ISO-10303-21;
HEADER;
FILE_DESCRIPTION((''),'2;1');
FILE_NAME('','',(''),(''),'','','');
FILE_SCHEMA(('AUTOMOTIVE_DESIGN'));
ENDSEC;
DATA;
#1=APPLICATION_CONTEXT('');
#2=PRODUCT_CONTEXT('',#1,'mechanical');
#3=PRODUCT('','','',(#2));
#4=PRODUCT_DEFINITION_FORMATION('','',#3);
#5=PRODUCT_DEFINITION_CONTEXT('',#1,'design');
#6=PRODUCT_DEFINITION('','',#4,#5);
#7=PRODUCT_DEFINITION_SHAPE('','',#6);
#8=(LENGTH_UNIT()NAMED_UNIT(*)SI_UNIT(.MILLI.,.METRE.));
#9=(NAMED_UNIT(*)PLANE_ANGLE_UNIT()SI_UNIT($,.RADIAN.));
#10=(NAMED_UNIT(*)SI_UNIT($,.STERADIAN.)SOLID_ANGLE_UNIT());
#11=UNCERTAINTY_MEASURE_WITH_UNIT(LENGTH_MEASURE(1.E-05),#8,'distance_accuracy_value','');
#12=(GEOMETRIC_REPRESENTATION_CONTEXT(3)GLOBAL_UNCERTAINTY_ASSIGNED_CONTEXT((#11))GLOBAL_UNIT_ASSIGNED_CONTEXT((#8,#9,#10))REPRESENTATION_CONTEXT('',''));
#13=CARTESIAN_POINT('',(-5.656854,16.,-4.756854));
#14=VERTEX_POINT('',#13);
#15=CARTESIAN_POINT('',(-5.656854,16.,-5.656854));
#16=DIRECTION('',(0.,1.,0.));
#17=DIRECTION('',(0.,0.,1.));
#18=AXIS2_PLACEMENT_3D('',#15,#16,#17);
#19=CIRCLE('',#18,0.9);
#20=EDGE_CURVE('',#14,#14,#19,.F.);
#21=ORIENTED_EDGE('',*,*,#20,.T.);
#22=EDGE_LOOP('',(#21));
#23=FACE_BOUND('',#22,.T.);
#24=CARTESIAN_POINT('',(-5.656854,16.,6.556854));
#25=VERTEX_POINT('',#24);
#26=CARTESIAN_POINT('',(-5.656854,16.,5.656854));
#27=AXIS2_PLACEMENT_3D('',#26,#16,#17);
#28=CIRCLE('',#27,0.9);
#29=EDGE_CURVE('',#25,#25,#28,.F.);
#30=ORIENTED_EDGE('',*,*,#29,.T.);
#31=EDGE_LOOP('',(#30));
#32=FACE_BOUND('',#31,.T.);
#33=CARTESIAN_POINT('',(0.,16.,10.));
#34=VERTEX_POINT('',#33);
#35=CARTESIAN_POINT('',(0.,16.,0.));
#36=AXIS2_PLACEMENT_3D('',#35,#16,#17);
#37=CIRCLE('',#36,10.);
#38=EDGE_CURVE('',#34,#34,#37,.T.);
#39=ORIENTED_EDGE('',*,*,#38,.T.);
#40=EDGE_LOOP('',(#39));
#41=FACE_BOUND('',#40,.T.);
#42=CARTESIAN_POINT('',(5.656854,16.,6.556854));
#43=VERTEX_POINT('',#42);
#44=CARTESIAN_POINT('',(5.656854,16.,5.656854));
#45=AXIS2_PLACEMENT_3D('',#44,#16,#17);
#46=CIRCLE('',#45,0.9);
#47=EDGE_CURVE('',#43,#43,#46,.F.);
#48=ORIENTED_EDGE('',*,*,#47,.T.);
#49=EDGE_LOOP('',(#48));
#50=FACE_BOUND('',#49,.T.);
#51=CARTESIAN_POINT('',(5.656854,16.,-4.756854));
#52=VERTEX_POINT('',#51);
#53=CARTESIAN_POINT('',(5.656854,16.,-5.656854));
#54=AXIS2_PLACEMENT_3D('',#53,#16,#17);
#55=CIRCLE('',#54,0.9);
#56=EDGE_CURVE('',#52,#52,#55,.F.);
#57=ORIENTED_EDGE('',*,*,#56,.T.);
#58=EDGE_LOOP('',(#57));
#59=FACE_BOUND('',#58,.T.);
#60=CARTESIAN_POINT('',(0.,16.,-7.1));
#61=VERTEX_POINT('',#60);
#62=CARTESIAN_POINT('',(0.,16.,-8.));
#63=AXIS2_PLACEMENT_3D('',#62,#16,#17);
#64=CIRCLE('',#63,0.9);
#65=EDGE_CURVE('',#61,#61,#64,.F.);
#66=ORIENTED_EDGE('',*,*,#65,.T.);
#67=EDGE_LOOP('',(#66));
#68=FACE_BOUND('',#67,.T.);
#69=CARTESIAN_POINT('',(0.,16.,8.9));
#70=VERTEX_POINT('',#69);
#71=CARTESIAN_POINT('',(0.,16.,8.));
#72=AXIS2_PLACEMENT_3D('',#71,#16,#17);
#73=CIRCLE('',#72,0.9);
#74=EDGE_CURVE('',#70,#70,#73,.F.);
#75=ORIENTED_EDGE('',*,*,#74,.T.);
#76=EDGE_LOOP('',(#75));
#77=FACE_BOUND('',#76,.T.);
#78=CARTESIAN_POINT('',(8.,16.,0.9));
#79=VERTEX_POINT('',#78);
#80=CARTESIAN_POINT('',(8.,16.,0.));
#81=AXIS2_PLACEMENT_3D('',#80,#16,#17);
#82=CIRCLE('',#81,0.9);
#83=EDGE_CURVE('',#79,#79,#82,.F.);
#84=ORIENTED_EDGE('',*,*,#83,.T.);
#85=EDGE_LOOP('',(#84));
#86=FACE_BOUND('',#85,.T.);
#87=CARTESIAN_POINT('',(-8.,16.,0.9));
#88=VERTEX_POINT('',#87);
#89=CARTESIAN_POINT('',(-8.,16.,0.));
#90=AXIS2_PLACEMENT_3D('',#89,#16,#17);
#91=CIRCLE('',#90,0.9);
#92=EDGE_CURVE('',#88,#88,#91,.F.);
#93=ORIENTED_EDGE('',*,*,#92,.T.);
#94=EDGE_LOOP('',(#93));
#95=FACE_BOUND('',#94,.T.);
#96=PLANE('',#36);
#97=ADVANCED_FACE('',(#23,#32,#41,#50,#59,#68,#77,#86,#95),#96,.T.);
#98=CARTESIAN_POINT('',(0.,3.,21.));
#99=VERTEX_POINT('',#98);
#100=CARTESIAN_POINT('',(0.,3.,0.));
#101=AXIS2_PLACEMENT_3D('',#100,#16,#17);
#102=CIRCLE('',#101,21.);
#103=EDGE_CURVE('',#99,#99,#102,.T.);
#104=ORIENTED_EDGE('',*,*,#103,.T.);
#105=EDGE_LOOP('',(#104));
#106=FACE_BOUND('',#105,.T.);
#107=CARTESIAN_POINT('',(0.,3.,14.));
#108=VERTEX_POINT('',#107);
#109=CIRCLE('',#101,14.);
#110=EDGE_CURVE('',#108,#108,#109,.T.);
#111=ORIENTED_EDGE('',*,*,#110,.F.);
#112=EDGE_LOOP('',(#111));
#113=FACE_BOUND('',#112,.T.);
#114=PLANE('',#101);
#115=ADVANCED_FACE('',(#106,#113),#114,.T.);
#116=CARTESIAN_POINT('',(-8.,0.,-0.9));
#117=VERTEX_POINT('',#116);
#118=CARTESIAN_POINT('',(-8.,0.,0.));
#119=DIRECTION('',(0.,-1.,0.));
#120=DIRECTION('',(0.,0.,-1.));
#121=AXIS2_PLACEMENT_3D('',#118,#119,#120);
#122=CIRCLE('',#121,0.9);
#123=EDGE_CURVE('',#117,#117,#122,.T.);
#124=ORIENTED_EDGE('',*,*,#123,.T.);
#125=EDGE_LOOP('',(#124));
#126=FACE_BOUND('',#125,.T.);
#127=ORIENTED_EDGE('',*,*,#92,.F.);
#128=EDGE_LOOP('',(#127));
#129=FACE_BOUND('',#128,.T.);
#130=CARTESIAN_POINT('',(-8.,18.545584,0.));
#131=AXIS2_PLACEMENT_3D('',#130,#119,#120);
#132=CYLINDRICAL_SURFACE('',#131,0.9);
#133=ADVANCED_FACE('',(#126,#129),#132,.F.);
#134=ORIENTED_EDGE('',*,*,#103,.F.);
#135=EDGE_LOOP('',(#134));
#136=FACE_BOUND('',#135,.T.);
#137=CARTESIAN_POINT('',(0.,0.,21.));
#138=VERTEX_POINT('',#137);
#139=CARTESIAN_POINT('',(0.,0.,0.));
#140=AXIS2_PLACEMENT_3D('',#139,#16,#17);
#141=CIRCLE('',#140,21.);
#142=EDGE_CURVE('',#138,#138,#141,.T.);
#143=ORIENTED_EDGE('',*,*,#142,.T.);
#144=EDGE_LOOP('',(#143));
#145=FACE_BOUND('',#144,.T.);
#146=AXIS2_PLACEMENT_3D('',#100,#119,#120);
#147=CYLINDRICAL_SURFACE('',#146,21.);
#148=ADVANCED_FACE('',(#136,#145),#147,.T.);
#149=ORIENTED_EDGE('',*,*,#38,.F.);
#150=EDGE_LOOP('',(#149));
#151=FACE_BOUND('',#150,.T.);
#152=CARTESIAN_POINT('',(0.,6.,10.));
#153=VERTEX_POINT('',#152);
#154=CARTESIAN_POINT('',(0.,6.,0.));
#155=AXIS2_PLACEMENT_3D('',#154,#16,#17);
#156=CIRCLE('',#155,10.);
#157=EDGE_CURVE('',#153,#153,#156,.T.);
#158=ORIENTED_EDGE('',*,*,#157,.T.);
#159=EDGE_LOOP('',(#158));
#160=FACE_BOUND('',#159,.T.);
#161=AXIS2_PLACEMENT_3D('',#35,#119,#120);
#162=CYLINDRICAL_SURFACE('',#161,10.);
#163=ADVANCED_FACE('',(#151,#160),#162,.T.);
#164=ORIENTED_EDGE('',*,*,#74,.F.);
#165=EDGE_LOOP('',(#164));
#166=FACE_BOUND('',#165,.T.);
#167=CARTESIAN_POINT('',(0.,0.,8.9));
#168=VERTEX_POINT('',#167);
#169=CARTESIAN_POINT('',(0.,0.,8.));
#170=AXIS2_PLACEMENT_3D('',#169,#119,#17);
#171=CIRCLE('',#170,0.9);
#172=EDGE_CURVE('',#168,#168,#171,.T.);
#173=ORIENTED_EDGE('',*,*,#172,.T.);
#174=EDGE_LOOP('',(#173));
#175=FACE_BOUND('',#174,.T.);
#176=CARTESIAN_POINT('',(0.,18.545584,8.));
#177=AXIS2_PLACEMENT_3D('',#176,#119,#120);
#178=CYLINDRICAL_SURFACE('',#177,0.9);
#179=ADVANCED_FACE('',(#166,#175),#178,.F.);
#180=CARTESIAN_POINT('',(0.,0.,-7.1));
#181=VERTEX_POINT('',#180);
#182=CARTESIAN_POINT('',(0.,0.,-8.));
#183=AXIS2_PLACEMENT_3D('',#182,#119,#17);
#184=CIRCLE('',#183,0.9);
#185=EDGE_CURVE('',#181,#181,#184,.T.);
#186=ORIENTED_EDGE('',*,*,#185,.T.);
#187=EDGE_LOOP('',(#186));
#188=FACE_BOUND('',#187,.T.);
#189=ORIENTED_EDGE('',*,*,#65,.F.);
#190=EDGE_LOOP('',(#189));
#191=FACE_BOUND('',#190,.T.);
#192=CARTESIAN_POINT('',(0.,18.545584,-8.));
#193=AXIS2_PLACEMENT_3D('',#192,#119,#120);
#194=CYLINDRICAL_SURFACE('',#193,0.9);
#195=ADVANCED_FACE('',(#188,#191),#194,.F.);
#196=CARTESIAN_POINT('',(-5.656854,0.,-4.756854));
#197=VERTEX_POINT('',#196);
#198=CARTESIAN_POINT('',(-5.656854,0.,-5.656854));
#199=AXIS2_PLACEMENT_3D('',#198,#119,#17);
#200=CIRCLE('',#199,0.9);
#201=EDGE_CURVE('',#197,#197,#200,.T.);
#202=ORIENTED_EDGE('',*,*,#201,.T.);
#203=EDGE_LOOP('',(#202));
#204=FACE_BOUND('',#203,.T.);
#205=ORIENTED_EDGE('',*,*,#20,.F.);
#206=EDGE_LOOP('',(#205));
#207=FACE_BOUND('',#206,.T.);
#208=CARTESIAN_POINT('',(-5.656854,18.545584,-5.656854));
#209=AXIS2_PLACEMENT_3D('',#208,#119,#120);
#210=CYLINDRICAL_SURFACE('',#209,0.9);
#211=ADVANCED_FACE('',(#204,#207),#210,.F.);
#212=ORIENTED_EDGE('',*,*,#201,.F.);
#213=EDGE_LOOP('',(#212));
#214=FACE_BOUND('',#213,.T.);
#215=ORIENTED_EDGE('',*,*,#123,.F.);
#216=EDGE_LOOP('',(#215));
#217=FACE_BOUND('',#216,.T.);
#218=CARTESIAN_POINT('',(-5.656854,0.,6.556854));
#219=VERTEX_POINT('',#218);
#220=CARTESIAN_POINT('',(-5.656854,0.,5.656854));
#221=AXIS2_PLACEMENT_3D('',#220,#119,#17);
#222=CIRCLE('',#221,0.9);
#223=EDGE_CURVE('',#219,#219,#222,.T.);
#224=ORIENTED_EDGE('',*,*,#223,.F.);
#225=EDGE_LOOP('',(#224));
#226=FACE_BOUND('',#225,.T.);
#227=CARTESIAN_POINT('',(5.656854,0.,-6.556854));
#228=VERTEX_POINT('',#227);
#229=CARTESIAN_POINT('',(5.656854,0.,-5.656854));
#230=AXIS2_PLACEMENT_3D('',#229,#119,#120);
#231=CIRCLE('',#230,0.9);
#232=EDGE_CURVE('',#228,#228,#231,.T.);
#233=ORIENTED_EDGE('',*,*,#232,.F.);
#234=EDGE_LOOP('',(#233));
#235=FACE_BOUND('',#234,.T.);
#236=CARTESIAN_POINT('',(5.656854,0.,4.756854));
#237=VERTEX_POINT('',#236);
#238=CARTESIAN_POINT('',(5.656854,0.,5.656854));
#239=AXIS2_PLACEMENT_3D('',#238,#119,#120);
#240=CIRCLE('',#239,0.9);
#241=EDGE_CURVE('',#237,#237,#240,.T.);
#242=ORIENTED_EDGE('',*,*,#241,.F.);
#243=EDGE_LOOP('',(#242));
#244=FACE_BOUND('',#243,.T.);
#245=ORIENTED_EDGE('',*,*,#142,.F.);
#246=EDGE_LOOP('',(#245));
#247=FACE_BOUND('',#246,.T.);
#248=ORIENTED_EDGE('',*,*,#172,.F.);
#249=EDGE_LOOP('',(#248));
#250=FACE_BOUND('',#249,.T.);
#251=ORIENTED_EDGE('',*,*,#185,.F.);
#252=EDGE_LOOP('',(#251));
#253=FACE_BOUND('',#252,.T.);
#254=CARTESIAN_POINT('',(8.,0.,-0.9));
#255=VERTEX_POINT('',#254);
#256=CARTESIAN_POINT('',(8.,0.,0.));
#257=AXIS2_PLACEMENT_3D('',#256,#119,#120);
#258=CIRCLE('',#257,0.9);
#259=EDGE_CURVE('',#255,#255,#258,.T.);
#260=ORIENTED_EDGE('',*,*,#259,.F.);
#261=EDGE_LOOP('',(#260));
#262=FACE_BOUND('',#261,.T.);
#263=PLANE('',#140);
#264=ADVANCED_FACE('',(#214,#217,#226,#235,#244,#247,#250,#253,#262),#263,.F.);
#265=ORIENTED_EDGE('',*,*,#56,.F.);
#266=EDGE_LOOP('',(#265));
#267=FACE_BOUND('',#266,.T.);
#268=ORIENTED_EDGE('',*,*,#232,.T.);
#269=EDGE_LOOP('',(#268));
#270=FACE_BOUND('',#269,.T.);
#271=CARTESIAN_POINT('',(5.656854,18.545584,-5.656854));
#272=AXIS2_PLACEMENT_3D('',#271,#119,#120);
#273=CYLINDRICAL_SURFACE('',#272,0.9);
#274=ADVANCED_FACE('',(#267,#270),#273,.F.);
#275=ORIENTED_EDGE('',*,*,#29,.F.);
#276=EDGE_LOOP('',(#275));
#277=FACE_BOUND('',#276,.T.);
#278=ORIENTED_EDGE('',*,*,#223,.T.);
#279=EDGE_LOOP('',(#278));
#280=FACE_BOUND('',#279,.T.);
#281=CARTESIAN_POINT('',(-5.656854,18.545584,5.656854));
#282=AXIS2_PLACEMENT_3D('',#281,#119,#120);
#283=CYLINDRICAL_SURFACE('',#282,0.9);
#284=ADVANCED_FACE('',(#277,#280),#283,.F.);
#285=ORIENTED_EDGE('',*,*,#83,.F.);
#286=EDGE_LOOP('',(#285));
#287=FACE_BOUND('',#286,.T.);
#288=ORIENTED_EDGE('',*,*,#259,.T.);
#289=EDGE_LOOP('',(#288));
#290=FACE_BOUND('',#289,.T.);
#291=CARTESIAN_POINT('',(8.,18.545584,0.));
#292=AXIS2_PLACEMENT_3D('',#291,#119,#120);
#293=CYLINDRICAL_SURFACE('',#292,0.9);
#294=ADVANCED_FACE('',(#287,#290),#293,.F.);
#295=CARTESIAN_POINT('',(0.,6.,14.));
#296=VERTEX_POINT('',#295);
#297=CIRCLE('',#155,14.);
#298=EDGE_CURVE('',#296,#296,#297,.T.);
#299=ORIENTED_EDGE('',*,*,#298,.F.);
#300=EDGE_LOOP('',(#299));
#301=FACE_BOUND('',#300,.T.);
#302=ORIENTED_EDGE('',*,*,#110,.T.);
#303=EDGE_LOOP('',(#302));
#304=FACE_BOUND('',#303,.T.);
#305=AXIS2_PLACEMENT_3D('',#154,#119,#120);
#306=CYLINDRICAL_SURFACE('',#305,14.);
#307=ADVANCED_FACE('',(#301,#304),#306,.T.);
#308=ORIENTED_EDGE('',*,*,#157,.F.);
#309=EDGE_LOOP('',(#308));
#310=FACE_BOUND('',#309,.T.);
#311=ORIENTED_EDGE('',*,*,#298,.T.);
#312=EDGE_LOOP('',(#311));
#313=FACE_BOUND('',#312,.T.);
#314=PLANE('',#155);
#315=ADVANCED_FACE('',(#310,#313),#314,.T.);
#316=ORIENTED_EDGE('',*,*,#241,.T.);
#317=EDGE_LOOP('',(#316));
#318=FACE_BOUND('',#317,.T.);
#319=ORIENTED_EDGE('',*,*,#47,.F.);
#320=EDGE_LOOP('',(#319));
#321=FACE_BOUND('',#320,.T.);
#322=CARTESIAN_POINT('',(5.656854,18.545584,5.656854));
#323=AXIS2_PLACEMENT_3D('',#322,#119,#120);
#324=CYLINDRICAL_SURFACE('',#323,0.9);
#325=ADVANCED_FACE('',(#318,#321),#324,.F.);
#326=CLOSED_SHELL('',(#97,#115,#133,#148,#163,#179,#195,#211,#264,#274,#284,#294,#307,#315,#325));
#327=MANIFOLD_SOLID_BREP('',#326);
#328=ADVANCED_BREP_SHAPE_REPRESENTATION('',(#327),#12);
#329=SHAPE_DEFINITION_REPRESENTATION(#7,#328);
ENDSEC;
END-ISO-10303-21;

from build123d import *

# Parameters (mm, degrees)
SKETCH_1_R          = 21
EXTRUDE_1_DEPTH     = 3
SKETCH_2_R          = 10
EXTRUDE_2_DEPTH     = 13
SKETCH_3_R          = 14
EXTRUDE_3_DEPTH     = 3
SKETCH_4_R          = 0.9
CUT_EXTRUDE_1_DEPTH = 16


with BuildPart() as part:
    # 스케치1 → 보스-돌출1 (new body)
    with BuildSketch(Plane(origin=(0, 0, 0), x_dir=(1, 0, 0), z_dir=(0, 1, 0))):
        Circle(SKETCH_1_R)
    extrude(amount=EXTRUDE_1_DEPTH)

    # 스케치2 → 보스-돌출2 (add)
    with BuildSketch(Plane(origin=(0, 3, 0), x_dir=(1, 0, 0), z_dir=(0, 1, 0))):
        Circle(SKETCH_2_R)
    extrude(amount=EXTRUDE_2_DEPTH)

    # 스케치3 → 보스-돌출3 (add)
    with BuildSketch(Plane(origin=(0, 3, 0), x_dir=(1, 0, 0), z_dir=(0, 1, 0))):
        Circle(SKETCH_3_R)
    extrude(amount=EXTRUDE_3_DEPTH)

    # 스케치4 → 컷-돌출1 (cut)
    with BuildSketch(Plane.XZ):
        with Locations((8, 0)):
            Circle(SKETCH_4_R)
        with Locations((5.656854249, -5.656854249)):
            Circle(SKETCH_4_R)
        with Locations((5.656854249, 5.656854249)):
            Circle(SKETCH_4_R)
        with Locations((0, 8)):
            Circle(SKETCH_4_R)
        with Locations((-5.656854249, 5.656854249)):
            Circle(SKETCH_4_R)
        with Locations((0, -8)):
            Circle(SKETCH_4_R)
        with Locations((-5.656854249, -5.656854249)):
            Circle(SKETCH_4_R)
        with Locations((-8, 0)):
            Circle(SKETCH_4_R)
    extrude(amount=-CUT_EXTRUDE_1_DEPTH, mode=Mode.SUBTRACT)


solid = part.part
